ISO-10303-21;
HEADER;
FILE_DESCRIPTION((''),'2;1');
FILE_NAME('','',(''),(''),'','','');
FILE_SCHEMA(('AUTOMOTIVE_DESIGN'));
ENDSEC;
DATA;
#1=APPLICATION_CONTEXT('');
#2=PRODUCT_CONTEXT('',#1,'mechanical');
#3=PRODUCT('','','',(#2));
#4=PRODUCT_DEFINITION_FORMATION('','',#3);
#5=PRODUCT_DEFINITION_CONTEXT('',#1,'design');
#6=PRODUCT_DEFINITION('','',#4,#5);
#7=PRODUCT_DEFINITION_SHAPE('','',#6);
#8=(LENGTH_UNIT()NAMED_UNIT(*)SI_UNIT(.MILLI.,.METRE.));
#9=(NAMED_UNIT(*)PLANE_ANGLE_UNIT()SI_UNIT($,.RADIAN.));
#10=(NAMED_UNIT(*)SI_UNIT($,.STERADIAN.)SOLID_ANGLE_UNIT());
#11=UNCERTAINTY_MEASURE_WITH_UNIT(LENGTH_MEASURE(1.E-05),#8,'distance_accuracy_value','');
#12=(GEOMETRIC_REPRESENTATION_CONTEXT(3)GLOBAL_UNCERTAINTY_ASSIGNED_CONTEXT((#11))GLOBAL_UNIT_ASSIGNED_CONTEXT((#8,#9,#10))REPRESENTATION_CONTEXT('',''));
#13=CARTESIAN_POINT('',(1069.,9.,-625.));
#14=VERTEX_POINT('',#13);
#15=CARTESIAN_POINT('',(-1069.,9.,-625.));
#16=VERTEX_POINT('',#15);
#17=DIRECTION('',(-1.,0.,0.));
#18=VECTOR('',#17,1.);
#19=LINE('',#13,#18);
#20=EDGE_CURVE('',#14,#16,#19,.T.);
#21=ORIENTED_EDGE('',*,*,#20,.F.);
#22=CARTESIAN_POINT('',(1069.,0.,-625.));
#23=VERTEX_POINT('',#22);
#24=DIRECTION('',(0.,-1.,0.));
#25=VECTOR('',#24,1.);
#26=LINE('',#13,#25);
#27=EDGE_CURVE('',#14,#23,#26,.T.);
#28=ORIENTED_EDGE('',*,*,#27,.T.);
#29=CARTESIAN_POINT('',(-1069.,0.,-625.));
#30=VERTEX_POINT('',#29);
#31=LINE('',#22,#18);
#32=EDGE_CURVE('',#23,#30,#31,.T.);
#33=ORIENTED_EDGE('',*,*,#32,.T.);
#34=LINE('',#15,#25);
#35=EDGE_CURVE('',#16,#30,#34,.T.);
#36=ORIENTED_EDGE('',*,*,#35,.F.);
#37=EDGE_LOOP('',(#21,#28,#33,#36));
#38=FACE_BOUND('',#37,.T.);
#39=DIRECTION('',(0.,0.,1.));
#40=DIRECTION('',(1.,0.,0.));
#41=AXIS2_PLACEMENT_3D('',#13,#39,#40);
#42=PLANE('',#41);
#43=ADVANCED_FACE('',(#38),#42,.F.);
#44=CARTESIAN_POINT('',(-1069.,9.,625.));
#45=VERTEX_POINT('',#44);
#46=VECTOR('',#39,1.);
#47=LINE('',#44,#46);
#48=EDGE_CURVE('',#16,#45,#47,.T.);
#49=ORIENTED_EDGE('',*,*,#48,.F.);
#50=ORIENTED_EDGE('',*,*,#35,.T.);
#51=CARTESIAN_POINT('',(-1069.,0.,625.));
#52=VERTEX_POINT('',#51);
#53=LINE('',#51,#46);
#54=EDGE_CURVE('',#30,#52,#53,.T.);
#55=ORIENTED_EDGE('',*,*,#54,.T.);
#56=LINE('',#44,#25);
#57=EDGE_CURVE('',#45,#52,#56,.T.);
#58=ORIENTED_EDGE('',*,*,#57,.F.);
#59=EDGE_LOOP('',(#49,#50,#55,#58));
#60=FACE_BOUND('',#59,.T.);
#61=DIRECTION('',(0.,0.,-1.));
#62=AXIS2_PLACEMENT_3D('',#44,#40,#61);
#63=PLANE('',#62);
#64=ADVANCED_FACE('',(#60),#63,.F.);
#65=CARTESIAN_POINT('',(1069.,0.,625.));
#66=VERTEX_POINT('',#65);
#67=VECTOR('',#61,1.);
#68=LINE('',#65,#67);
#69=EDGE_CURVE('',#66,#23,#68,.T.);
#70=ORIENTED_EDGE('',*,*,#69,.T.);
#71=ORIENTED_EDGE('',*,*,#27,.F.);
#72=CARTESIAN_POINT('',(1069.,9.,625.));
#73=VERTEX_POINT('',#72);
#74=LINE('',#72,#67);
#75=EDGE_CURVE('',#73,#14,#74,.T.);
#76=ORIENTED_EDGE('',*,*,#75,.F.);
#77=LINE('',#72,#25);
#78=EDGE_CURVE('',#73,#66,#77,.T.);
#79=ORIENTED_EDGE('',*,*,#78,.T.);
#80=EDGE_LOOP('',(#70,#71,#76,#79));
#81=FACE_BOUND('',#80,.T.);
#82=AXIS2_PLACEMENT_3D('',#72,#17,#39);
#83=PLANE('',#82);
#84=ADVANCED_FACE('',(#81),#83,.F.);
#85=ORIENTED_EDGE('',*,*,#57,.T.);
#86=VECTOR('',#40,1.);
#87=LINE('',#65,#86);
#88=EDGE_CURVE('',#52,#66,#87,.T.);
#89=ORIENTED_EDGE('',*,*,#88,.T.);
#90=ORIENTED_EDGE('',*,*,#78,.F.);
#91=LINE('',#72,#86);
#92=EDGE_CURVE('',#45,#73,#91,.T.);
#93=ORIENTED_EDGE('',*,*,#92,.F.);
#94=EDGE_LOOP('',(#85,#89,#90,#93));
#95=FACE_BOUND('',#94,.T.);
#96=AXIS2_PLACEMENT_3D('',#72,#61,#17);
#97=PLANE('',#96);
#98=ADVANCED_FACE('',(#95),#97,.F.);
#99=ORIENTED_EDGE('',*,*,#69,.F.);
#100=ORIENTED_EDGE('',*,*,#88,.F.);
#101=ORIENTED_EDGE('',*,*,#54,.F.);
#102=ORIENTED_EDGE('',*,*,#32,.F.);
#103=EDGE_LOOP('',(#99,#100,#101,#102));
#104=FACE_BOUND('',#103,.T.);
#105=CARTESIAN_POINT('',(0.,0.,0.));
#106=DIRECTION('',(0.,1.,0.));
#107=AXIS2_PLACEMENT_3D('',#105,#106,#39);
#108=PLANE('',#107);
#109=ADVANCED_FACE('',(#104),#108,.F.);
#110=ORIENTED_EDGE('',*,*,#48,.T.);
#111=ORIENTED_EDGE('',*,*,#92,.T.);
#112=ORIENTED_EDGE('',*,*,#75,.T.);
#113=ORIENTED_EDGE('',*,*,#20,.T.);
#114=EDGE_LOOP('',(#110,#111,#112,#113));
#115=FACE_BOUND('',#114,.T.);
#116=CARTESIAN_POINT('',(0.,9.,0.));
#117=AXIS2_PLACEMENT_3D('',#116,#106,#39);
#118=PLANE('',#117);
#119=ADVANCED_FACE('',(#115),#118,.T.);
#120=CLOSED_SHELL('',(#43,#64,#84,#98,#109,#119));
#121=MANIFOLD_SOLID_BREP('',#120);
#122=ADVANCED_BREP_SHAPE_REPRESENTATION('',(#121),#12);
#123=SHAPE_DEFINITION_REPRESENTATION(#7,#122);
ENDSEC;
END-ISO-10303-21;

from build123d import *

# Parameters (mm, degrees)
SKETCH_1_W      = 2138
SKETCH_1_H      = 1250
EXTRUDE_1_DEPTH = 9


with BuildPart() as part:
    # Эскиз1 → Бобышка-Вытянуть1 (new body)
    with BuildSketch(Plane(origin=(0, 0, 0), x_dir=(1, 0, 0), z_dir=(0, 1, 0))):
        Rectangle(SKETCH_1_W, SKETCH_1_H)
    extrude(amount=EXTRUDE_1_DEPTH)


solid = part.part
